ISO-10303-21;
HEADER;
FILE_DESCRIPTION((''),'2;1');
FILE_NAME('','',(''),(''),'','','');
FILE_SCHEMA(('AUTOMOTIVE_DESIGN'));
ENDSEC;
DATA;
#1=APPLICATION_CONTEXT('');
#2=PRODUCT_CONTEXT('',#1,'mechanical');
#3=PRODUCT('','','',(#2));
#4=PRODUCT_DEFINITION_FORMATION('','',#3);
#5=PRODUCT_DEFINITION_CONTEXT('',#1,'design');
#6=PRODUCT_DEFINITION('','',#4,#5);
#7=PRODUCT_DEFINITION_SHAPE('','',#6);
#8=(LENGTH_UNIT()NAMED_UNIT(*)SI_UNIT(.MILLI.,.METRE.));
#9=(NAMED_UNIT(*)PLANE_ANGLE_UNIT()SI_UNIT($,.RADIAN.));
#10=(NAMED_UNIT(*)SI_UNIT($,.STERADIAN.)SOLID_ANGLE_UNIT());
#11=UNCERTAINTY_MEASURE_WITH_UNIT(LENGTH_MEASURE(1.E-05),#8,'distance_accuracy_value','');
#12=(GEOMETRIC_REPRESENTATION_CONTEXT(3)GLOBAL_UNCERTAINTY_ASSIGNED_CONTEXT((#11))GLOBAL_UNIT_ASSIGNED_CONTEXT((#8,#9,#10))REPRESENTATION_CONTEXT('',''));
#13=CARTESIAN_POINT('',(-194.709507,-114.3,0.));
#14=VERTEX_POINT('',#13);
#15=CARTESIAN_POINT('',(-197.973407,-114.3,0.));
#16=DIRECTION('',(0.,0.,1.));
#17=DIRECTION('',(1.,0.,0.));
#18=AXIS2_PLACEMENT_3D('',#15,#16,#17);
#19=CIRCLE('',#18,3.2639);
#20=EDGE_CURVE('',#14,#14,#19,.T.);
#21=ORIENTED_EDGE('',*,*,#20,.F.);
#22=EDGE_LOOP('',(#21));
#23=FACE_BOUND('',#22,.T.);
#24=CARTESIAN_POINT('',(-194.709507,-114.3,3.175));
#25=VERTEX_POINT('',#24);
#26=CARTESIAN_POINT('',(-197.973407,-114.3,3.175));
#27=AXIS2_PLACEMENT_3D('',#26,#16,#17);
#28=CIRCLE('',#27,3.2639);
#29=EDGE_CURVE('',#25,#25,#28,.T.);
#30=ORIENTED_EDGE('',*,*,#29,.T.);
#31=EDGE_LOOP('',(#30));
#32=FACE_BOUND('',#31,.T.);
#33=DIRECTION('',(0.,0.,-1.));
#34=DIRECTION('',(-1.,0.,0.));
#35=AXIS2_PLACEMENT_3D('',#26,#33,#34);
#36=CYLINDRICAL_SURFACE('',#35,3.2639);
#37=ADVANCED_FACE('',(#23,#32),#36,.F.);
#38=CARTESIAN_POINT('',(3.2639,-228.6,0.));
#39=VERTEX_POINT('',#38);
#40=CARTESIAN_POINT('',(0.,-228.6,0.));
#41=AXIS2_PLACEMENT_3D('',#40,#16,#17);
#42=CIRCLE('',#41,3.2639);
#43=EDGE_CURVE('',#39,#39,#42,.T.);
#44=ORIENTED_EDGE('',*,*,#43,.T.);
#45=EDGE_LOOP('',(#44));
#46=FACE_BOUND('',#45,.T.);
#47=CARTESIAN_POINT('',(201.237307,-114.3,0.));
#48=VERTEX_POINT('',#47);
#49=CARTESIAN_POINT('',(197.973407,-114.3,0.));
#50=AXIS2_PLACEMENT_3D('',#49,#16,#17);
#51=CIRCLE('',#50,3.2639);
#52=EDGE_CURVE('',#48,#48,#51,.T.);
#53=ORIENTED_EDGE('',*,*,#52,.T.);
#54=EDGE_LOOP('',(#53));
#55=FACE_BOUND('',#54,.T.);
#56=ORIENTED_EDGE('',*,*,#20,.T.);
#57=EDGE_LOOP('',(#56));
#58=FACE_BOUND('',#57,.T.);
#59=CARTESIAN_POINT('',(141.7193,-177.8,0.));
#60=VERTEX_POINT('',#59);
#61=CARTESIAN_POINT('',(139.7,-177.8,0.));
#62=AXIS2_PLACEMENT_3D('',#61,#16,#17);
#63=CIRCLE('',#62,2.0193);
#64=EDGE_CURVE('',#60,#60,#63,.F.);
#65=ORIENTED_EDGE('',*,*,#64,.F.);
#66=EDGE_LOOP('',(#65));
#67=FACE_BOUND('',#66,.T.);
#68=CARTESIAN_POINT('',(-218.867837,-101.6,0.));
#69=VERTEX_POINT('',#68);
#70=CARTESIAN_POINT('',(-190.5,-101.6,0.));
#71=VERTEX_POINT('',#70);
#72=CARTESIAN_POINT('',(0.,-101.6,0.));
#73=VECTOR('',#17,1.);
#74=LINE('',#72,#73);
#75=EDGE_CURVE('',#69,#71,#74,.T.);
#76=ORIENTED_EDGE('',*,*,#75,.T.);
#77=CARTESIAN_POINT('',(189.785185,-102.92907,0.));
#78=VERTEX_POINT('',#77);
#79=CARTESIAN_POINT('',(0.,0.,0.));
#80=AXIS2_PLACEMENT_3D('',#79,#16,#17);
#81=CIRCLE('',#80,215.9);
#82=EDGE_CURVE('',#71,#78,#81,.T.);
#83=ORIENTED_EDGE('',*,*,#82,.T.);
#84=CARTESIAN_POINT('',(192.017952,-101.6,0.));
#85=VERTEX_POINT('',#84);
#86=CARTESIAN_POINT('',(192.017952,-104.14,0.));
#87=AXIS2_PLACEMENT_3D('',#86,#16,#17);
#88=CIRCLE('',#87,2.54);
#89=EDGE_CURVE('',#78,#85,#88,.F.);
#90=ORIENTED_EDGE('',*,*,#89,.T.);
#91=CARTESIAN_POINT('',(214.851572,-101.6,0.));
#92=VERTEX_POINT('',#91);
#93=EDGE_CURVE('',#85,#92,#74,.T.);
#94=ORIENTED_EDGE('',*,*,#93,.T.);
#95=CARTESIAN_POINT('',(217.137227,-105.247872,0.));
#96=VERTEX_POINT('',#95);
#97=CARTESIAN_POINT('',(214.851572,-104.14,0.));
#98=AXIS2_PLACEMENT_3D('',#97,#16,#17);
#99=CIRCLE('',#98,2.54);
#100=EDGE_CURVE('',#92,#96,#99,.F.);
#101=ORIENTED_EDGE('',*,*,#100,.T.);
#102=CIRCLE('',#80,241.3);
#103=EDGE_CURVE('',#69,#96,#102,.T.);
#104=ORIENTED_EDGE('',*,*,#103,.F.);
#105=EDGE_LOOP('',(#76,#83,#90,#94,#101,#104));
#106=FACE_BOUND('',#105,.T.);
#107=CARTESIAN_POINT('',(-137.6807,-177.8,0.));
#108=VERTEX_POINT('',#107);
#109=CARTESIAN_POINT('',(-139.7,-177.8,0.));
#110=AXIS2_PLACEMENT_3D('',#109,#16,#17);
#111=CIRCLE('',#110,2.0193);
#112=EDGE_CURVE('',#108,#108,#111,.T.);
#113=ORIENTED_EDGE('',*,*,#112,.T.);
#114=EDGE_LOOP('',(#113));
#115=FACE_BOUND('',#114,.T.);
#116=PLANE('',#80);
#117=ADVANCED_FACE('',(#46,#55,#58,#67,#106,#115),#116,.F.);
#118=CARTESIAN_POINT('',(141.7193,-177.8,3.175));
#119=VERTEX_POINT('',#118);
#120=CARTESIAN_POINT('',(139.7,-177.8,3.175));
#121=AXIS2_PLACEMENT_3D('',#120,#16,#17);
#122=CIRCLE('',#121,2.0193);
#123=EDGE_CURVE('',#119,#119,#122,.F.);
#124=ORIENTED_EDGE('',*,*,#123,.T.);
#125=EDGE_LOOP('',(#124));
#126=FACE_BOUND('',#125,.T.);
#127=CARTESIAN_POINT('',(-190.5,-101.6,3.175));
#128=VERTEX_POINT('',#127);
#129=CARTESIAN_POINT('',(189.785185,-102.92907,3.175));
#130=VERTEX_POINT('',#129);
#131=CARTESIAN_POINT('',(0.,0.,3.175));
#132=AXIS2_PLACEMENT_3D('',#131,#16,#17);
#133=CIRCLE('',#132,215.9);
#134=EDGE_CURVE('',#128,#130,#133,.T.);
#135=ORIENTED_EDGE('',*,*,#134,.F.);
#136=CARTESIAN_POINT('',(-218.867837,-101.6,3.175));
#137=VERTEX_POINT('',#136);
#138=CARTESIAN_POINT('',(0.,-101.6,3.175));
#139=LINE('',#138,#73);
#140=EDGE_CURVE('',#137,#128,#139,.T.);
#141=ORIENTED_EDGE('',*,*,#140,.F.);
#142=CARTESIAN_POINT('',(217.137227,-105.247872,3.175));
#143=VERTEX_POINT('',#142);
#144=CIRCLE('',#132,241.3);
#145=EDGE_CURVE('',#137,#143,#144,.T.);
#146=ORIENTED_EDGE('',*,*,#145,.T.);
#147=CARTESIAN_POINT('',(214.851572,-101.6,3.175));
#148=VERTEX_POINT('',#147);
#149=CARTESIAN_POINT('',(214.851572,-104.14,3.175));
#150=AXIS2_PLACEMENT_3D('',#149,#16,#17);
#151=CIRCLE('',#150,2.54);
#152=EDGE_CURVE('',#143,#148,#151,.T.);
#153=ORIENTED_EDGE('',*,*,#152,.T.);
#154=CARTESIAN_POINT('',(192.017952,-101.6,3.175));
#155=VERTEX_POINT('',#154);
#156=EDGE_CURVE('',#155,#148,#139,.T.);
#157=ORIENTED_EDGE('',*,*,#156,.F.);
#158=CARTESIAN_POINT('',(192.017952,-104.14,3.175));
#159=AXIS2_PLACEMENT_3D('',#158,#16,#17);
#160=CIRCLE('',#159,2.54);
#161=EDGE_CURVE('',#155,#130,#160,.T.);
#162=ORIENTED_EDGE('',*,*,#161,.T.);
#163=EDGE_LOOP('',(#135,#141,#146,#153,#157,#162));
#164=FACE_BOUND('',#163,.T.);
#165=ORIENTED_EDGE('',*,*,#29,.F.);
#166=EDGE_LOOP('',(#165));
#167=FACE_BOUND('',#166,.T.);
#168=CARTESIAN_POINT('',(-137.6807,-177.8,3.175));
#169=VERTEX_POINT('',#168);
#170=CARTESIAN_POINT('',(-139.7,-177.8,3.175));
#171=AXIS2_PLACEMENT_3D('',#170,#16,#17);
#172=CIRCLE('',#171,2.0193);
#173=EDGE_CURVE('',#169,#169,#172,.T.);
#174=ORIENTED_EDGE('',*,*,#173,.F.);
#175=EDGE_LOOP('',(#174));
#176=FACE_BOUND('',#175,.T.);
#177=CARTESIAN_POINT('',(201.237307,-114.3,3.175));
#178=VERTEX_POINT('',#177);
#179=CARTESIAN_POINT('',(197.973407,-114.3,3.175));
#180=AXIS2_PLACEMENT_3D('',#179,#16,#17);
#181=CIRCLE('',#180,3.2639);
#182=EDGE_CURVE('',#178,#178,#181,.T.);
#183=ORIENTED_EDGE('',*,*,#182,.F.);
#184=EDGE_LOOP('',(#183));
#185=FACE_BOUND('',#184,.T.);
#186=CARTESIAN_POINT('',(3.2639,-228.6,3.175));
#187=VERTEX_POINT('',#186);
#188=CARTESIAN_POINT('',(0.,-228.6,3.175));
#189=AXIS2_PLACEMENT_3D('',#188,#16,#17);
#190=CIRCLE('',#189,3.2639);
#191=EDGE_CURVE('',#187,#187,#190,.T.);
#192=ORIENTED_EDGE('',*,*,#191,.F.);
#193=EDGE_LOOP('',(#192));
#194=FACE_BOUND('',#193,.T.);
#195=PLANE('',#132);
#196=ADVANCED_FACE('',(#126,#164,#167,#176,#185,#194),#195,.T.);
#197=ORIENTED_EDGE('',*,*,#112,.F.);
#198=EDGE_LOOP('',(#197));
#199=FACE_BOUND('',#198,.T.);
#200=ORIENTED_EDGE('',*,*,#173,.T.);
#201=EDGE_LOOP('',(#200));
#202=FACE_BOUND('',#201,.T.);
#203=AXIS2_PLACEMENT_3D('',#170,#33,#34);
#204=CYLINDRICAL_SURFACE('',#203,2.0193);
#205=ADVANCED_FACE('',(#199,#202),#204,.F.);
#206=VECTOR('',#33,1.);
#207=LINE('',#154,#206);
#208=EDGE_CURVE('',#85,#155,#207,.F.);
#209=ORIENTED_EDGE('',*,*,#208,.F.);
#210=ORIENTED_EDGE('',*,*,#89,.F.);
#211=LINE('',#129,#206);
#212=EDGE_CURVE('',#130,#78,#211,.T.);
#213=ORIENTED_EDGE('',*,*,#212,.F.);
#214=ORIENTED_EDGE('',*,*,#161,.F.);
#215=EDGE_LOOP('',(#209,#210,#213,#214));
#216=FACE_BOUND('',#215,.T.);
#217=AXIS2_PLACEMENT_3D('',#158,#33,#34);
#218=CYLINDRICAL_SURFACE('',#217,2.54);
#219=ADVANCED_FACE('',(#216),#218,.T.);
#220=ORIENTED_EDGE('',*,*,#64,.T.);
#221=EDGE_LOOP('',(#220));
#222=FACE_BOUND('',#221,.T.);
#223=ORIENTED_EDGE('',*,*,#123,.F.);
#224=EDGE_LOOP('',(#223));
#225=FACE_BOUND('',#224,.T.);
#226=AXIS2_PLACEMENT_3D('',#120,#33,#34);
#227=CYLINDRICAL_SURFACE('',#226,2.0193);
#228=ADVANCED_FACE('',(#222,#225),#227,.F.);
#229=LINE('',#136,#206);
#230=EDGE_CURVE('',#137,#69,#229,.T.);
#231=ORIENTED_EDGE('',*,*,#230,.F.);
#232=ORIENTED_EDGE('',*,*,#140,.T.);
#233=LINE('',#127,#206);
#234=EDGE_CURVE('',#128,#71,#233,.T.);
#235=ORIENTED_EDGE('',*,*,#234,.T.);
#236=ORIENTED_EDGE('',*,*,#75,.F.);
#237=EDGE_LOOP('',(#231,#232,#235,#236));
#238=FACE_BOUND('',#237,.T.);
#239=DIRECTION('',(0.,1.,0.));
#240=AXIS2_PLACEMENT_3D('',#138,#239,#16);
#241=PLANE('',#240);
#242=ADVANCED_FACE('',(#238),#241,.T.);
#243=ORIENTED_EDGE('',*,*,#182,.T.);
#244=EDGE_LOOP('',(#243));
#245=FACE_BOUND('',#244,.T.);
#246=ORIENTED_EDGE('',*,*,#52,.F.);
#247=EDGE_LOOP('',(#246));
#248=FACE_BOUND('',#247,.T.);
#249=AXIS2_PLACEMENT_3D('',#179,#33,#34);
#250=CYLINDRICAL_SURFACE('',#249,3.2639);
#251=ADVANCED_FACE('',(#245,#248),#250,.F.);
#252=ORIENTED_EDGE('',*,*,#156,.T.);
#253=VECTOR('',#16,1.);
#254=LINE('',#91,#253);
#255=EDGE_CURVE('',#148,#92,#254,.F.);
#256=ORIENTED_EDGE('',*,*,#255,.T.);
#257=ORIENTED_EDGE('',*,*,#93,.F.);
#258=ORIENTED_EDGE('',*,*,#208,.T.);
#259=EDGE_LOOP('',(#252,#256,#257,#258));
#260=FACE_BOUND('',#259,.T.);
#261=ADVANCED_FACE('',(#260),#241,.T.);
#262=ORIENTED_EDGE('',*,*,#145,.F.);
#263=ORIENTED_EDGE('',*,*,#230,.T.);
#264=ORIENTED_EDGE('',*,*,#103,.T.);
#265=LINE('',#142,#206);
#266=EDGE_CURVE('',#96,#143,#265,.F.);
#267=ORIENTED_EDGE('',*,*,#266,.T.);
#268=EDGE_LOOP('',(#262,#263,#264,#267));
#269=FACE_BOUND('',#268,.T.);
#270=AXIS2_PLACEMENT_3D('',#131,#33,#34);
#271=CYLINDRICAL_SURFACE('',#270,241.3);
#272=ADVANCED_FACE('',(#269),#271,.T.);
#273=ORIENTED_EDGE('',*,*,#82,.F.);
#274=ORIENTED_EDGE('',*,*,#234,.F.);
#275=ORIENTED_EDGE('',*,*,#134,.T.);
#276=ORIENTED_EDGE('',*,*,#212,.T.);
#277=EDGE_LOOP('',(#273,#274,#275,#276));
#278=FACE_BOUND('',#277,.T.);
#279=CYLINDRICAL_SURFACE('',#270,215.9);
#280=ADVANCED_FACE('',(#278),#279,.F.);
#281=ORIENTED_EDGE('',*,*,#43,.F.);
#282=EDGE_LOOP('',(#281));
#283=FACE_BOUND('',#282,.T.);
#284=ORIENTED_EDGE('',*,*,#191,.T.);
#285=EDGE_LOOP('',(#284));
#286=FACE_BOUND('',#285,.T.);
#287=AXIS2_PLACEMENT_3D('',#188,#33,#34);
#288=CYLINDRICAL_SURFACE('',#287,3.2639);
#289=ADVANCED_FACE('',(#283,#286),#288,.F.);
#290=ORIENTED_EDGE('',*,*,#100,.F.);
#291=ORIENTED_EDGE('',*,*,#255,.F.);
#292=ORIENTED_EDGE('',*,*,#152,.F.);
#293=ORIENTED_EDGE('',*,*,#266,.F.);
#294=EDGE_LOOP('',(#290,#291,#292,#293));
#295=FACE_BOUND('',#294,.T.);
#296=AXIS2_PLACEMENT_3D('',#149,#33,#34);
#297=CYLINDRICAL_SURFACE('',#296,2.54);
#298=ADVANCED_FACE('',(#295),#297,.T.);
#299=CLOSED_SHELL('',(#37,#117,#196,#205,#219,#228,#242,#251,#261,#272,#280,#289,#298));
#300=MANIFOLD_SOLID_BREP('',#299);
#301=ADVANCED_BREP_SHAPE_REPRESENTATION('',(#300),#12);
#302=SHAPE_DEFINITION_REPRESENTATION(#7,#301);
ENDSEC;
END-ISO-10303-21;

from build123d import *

# Parameters (mm, degrees)
SKETCH1_R           = 2.0193
SKETCH1_R_2         = 3.2639
BOSS_EXTRUDE1_DEPTH = 3.175
FILLET1_R           = 2.54


with BuildPart() as part:
    # Sketch1 → Boss-Extrude1 (new body)
    with BuildSketch(Plane.XY):
        with BuildLine():
            Line((-190.5, -101.6), (-218.867836833, -101.6))
            ThreePointArc((-218.867836833, -101.6), (0, -241.3), (218.867836833, -101.6))
            Line((218.867836833, -101.6), (190.5, -101.6))
            ThreePointArc((190.5, -101.6), (0, -215.9), (-190.5, -101.6))
        make_face()
        with Locations((-139.7, -177.8)):
            Circle(SKETCH1_R, mode=Mode.SUBTRACT)
        with Locations((-197.973407305, -114.3)):
            Circle(SKETCH1_R_2, mode=Mode.SUBTRACT)
        with Locations((0, -228.6)):
            Circle(SKETCH1_R_2, mode=Mode.SUBTRACT)
        with Locations((139.7, -177.8)):
            Circle(SKETCH1_R, mode=Mode.SUBTRACT)
        with Locations((197.973407305, -114.3)):
            Circle(SKETCH1_R_2, mode=Mode.SUBTRACT)
    extrude(amount=BOSS_EXTRUDE1_DEPTH)

    # Fillet1
    fillet1_edges = [part.edges().sort_by_distance(p)[0] for p in [
        (190.5, -101.6, 1.5875),
        (218.867836833, -101.6, 1.5875),
    ]]
    fillet(fillet1_edges, radius=FILLET1_R)


solid = part.part
